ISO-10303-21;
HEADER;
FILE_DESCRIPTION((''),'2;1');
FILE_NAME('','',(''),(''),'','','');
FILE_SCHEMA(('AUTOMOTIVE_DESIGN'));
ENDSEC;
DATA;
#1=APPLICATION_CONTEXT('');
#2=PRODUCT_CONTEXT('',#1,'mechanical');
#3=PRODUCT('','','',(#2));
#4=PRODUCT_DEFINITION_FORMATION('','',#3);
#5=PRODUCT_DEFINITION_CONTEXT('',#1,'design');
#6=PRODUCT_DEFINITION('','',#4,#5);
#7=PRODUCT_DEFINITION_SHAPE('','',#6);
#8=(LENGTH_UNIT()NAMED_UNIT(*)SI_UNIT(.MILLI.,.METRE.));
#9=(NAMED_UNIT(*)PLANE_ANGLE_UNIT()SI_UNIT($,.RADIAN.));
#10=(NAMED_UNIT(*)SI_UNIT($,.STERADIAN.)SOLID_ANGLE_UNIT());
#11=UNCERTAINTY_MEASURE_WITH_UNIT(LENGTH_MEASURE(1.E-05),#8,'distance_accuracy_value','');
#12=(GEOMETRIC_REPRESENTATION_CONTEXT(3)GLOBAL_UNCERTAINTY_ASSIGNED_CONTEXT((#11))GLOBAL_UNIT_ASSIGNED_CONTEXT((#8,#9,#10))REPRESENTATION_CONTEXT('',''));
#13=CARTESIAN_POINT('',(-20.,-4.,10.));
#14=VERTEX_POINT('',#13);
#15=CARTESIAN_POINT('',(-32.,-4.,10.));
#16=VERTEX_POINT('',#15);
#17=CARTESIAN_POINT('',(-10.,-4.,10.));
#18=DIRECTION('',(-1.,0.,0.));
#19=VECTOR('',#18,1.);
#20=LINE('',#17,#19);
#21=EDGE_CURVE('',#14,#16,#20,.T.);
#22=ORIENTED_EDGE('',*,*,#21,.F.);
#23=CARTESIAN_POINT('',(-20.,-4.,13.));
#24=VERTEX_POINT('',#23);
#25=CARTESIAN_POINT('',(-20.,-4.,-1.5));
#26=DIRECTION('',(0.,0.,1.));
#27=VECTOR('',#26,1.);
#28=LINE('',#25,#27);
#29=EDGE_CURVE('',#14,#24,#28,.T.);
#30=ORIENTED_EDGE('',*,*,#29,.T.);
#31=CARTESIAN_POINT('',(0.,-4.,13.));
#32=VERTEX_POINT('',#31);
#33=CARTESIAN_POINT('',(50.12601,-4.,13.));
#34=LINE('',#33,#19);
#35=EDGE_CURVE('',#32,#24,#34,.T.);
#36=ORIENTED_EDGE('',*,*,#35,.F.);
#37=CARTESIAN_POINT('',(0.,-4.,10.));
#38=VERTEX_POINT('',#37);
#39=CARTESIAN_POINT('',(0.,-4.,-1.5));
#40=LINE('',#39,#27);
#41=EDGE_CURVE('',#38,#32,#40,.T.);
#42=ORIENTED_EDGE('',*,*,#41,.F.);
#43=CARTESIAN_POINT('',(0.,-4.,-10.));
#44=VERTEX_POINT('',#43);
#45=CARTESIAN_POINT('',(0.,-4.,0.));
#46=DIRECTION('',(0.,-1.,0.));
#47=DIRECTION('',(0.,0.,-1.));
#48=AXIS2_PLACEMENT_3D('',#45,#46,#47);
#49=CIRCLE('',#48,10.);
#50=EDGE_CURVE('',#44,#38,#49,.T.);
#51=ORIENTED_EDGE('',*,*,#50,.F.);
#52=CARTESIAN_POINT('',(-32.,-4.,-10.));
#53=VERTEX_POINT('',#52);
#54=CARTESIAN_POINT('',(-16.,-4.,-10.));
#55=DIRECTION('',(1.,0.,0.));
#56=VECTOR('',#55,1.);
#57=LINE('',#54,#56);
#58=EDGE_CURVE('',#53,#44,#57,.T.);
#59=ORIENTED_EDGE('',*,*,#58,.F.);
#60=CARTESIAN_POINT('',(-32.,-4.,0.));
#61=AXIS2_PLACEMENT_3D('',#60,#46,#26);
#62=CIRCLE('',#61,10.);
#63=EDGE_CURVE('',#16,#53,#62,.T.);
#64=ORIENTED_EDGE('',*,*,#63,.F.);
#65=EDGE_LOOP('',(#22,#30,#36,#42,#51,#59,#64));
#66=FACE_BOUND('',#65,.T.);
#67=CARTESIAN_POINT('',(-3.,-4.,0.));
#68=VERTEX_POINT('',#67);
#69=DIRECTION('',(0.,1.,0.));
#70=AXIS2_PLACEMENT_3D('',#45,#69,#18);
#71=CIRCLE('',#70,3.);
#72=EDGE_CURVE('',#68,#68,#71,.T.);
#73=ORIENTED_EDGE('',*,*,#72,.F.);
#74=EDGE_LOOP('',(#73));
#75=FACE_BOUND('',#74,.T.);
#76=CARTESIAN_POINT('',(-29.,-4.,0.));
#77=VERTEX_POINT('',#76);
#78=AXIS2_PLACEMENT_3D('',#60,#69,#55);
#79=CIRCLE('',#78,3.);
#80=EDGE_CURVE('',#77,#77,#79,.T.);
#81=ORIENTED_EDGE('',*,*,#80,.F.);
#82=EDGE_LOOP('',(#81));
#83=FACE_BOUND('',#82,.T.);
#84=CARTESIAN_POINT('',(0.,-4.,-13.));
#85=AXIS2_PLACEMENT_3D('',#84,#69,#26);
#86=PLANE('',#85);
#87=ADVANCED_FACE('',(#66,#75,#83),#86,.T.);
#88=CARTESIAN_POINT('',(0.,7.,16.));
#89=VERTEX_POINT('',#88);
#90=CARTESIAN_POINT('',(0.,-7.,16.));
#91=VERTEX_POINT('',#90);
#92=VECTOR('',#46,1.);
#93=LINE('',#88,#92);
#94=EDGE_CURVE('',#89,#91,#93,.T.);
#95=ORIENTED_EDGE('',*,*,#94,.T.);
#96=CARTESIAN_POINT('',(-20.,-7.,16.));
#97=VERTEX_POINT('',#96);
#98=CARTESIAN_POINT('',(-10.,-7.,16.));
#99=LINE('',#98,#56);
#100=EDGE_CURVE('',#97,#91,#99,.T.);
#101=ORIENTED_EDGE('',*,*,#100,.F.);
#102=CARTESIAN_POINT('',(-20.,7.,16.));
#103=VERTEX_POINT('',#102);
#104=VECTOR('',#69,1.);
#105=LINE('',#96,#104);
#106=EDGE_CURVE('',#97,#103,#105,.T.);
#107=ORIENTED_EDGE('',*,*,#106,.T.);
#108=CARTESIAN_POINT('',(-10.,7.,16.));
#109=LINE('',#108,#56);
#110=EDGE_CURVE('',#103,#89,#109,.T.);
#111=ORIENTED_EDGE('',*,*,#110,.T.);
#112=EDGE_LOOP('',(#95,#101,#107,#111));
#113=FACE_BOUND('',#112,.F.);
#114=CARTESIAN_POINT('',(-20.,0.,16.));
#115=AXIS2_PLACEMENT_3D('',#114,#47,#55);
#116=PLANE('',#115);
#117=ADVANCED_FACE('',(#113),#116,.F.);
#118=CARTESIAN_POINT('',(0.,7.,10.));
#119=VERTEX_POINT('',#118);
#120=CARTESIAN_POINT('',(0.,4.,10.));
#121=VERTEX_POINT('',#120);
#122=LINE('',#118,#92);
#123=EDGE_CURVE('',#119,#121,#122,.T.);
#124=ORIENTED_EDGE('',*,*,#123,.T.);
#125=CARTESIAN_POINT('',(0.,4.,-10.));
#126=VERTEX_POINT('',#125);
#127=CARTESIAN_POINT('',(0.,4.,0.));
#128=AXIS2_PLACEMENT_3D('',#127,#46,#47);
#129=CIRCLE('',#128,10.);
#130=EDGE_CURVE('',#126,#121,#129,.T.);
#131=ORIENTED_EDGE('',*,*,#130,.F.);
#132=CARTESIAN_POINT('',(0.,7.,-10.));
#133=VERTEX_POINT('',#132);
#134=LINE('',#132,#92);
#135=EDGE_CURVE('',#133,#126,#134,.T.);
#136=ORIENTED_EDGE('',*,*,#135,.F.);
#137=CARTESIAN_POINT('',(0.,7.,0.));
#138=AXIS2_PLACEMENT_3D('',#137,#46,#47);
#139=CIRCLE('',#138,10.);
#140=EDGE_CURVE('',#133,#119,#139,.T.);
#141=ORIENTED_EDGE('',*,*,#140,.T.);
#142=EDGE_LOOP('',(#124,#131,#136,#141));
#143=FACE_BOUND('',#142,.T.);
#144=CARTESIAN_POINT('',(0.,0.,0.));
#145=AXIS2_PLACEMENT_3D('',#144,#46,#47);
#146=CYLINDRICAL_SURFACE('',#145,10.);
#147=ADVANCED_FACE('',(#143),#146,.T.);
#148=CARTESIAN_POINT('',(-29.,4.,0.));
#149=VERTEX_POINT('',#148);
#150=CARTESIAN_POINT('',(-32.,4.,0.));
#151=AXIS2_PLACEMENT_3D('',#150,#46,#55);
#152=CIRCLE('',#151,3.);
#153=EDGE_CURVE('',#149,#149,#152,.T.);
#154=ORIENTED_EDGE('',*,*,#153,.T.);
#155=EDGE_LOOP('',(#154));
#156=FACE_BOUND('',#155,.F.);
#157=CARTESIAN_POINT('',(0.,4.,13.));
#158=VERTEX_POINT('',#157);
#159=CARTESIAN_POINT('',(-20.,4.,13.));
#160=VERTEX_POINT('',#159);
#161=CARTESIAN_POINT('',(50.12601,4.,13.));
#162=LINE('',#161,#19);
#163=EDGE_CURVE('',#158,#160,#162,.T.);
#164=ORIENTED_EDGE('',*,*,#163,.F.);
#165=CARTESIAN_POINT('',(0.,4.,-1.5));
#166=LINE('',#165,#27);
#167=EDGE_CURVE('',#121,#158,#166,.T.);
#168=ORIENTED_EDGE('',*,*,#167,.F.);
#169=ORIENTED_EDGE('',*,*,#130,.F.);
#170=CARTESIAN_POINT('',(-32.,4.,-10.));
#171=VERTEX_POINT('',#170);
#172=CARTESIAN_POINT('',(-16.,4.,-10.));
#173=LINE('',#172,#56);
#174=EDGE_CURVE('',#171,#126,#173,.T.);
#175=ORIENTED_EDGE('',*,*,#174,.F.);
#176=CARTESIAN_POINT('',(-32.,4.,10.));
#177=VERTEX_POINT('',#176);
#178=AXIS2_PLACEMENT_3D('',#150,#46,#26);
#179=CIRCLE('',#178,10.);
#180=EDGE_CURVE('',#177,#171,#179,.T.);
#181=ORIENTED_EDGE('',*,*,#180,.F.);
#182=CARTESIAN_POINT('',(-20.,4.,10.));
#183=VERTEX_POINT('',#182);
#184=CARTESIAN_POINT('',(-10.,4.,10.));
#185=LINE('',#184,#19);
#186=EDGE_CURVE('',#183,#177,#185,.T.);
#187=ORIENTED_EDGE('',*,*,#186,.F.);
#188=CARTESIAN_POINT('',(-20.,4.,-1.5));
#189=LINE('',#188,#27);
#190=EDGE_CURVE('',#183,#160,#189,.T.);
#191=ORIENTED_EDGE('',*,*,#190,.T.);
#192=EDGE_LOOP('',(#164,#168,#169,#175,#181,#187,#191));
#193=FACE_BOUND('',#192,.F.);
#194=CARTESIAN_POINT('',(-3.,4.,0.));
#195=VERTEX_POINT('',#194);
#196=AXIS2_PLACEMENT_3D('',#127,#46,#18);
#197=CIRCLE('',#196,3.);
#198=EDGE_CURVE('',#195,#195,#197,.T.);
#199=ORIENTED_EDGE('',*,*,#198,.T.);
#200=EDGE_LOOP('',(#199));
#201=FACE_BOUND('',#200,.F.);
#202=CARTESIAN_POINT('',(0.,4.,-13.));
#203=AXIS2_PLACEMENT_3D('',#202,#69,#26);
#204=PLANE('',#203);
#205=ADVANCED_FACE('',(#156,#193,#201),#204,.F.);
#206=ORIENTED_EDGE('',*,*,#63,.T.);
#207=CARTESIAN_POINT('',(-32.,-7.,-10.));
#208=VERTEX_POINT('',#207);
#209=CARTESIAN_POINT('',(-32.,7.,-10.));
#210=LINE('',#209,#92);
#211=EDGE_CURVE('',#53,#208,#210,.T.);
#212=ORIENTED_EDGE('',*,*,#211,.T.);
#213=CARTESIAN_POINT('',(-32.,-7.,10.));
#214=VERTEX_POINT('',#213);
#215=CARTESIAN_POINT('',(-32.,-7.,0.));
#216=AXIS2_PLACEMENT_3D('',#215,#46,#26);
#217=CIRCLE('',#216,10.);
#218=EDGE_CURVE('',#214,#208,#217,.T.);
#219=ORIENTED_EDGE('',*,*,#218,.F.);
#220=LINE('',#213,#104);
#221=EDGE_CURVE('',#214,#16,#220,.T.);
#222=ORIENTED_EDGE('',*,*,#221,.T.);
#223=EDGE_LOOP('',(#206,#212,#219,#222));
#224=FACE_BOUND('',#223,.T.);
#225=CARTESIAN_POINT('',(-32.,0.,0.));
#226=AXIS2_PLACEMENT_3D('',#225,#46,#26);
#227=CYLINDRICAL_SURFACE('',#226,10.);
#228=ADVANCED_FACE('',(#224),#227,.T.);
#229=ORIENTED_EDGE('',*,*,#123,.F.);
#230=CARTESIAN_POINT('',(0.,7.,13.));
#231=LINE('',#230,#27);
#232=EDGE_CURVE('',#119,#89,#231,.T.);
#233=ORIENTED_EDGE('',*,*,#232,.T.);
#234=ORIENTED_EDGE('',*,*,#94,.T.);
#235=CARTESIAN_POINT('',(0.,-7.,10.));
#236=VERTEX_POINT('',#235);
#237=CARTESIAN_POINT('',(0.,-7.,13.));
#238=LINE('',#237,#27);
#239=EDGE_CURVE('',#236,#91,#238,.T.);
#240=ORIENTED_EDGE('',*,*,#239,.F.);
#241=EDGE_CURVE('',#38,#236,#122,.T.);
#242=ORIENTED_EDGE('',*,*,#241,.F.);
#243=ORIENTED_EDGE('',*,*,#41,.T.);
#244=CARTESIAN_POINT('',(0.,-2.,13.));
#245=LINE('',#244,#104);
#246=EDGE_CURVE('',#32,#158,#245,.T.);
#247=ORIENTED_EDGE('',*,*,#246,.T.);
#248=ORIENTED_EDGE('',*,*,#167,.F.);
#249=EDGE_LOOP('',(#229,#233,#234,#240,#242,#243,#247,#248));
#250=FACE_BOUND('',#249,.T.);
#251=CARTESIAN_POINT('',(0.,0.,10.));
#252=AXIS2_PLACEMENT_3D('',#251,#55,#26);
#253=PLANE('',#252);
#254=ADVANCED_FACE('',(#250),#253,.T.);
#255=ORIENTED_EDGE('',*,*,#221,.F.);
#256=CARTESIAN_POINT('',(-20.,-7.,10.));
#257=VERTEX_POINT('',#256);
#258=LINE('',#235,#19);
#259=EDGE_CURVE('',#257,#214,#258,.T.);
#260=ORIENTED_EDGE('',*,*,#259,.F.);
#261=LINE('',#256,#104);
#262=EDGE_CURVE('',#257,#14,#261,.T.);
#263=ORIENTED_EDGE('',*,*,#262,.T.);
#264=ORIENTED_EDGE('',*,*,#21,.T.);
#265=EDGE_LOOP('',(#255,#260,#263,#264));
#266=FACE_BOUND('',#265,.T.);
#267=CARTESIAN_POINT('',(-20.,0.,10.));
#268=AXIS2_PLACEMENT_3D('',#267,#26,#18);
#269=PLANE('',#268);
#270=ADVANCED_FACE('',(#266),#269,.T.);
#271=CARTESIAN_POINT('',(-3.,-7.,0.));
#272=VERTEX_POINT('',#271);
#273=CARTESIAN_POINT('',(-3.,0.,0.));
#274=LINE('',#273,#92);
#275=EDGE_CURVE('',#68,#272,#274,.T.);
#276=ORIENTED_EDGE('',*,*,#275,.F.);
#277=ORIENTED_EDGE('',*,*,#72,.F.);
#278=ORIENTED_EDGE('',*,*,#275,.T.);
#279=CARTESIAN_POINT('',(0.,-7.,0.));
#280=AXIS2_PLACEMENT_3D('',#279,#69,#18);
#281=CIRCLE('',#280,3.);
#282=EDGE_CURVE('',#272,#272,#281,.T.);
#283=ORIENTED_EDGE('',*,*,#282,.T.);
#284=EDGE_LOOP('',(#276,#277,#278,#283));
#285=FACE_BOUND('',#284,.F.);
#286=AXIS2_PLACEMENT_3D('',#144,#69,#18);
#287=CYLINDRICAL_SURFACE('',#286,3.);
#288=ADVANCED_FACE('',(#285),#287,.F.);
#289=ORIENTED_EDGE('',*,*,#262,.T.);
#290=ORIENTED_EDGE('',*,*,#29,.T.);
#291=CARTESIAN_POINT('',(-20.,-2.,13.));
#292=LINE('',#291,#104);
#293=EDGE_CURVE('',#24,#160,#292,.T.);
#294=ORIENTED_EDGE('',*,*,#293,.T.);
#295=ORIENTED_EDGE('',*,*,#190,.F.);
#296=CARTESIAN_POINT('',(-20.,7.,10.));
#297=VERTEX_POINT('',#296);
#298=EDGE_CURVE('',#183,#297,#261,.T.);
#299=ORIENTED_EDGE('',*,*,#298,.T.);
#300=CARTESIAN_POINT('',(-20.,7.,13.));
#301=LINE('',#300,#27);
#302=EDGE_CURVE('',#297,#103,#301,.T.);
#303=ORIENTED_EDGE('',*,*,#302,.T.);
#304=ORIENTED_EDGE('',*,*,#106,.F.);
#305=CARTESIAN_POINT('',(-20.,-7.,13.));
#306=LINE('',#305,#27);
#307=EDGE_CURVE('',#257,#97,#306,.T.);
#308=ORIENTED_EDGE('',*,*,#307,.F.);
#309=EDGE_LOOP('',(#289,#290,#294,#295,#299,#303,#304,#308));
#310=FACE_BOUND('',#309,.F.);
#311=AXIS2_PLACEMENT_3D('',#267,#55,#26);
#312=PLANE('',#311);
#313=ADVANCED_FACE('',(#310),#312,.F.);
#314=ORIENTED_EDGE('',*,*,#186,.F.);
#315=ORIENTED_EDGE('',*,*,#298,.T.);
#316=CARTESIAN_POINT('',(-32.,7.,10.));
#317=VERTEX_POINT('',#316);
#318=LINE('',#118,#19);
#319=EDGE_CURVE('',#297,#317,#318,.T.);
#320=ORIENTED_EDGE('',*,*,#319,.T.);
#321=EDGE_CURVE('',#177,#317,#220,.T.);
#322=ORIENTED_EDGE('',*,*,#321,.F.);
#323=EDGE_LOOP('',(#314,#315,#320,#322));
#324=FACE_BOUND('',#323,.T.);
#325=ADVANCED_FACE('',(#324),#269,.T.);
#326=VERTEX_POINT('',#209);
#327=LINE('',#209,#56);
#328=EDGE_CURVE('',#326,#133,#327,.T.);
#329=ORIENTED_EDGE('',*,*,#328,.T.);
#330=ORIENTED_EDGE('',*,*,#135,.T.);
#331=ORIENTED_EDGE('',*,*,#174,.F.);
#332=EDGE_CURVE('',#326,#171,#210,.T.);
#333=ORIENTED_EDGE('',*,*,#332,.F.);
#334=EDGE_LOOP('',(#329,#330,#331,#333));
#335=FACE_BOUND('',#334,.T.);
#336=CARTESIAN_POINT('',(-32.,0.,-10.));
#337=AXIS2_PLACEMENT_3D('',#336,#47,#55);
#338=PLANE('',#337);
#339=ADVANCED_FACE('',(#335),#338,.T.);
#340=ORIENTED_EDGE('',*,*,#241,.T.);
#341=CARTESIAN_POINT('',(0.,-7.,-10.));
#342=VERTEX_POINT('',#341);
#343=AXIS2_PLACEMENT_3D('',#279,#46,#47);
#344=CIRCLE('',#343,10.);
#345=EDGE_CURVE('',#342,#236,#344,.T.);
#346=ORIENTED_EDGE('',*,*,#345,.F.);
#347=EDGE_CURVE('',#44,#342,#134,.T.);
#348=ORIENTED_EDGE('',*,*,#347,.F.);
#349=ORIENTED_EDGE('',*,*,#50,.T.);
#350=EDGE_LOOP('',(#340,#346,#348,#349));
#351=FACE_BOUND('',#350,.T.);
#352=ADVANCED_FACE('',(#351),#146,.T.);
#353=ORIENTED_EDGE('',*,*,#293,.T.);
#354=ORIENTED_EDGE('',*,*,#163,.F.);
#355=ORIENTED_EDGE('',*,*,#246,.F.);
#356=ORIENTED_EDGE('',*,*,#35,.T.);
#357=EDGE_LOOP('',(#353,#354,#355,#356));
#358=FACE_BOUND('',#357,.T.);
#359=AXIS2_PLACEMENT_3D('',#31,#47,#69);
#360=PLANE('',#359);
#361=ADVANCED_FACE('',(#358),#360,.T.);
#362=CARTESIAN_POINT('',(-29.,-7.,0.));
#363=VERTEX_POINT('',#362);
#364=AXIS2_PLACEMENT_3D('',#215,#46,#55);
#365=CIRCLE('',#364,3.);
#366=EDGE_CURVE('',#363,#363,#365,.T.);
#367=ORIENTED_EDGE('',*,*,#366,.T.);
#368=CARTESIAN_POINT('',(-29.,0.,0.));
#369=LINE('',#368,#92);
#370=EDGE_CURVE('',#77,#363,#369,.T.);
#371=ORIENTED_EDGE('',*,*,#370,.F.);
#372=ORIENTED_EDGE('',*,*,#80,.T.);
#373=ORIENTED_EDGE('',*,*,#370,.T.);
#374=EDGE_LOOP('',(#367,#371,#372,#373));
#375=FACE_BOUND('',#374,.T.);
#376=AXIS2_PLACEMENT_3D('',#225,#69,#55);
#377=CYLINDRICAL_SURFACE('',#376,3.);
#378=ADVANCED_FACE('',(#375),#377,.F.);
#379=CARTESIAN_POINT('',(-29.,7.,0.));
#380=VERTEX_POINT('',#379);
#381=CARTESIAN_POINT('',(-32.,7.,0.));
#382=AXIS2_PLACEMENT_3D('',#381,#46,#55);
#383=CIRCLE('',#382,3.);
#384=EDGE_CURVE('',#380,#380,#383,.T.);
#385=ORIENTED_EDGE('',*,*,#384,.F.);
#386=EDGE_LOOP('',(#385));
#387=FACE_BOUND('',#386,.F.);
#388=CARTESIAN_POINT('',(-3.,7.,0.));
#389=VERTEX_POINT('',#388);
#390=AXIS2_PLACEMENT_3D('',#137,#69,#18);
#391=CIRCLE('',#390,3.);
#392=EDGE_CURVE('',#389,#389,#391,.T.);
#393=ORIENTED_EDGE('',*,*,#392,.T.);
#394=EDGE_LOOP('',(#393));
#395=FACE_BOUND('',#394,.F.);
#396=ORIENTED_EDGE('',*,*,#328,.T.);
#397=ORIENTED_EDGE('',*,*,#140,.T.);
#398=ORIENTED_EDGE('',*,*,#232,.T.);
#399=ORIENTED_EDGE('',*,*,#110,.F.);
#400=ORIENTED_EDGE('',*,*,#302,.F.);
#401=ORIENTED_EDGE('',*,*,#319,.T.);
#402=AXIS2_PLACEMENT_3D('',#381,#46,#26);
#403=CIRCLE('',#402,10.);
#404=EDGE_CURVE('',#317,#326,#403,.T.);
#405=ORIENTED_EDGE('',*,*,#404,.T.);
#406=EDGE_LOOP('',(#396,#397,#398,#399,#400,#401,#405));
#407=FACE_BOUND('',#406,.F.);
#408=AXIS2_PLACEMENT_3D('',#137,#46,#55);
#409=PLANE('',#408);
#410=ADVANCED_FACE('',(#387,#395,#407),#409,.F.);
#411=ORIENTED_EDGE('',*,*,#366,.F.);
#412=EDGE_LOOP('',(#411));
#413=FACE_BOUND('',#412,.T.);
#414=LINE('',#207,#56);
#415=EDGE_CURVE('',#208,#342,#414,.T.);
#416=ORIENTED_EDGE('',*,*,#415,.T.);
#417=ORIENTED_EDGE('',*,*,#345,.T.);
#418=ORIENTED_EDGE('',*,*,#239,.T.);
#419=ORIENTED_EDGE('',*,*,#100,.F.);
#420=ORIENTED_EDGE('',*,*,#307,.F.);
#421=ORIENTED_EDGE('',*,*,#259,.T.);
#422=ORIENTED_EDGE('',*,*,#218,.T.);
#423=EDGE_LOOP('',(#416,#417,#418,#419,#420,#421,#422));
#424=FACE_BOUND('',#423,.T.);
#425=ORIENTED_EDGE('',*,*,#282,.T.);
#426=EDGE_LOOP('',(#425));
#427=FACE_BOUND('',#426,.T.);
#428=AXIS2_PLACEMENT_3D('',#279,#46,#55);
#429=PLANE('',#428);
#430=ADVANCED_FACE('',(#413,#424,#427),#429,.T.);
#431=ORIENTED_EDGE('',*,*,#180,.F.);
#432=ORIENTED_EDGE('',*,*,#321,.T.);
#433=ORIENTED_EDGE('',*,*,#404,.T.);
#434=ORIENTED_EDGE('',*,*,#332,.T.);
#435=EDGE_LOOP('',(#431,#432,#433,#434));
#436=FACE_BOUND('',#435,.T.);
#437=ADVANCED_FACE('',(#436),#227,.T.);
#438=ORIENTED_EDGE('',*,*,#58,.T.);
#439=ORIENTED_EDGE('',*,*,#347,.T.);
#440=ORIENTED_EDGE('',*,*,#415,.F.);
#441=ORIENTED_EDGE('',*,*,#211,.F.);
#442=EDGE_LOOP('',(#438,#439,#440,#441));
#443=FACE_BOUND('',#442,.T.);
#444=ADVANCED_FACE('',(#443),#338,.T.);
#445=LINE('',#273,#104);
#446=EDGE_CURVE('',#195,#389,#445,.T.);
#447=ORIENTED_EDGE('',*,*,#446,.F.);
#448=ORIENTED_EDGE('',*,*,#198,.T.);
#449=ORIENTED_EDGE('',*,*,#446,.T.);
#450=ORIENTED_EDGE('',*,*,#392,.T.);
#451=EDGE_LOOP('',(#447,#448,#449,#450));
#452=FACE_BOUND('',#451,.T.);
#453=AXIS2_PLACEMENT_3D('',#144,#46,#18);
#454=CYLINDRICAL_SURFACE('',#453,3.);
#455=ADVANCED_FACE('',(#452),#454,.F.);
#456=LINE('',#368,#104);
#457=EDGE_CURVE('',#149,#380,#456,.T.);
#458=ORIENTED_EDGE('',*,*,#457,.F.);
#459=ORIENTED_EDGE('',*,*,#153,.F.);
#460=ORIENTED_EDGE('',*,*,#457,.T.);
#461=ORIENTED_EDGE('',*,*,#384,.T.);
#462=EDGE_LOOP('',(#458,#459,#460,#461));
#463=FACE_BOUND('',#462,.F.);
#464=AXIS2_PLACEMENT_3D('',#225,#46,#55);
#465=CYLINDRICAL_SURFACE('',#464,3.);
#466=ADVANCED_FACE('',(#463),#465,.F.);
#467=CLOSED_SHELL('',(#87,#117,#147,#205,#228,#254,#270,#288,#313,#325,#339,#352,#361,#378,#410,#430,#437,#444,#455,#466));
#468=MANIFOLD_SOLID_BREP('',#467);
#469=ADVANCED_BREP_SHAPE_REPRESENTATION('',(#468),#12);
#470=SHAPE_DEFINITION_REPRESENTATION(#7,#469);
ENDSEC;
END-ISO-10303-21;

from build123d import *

# Parameters (mm, degrees)
F0_R     = 3
F0_W     = 20
F0_H     = 6
F1_DEPTH = 7
F2_W     = 8
F2_H     = 26
F3_DEPTH = 50.12601


with BuildPart() as f1:
    # F0 (on Front) → F1 (new body, symmetric)
    with BuildSketch(Plane.XZ):
        with BuildLine():
            ThreePointArc((3, 0), (0, 3), (-3, 0))
            ThreePointArc((-3, 0), (0, -3), (3, 0))
        make_face()
        with Locations((-32, 0)):
            Circle(F0_R)
        with BuildLine():
            ThreePointArc((-32, 10), (-42, 0), (-32, -10))
            Line((-32, -10), (0, -10))
            ThreePointArc((0, -10), (10, 0), (0, 10))
            Line((0, 10), (-20, 10))
            Line((-20, 10), (-32, 10))
        make_face()
        with Locations((-32, 0)):
            Circle(F0_R, mode=Mode.SUBTRACT)
        with BuildLine():
            ThreePointArc((3, 0), (0, -3), (-3, 0))
            ThreePointArc((-3, 0), (0, 3), (3, 0))
        make_face(mode=Mode.SUBTRACT)
        with Locations((-10, 13)):
            Rectangle(F0_W, F0_H)
    extrude(amount=F1_DEPTH, both=True)

    # F2 (on Right) → F3 (cut, symmetric)
    with BuildSketch(Plane.YZ):
        Rectangle(F2_W, F2_H)
    extrude(amount=F3_DEPTH, both=True, mode=Mode.SUBTRACT)


solid = f1.part
